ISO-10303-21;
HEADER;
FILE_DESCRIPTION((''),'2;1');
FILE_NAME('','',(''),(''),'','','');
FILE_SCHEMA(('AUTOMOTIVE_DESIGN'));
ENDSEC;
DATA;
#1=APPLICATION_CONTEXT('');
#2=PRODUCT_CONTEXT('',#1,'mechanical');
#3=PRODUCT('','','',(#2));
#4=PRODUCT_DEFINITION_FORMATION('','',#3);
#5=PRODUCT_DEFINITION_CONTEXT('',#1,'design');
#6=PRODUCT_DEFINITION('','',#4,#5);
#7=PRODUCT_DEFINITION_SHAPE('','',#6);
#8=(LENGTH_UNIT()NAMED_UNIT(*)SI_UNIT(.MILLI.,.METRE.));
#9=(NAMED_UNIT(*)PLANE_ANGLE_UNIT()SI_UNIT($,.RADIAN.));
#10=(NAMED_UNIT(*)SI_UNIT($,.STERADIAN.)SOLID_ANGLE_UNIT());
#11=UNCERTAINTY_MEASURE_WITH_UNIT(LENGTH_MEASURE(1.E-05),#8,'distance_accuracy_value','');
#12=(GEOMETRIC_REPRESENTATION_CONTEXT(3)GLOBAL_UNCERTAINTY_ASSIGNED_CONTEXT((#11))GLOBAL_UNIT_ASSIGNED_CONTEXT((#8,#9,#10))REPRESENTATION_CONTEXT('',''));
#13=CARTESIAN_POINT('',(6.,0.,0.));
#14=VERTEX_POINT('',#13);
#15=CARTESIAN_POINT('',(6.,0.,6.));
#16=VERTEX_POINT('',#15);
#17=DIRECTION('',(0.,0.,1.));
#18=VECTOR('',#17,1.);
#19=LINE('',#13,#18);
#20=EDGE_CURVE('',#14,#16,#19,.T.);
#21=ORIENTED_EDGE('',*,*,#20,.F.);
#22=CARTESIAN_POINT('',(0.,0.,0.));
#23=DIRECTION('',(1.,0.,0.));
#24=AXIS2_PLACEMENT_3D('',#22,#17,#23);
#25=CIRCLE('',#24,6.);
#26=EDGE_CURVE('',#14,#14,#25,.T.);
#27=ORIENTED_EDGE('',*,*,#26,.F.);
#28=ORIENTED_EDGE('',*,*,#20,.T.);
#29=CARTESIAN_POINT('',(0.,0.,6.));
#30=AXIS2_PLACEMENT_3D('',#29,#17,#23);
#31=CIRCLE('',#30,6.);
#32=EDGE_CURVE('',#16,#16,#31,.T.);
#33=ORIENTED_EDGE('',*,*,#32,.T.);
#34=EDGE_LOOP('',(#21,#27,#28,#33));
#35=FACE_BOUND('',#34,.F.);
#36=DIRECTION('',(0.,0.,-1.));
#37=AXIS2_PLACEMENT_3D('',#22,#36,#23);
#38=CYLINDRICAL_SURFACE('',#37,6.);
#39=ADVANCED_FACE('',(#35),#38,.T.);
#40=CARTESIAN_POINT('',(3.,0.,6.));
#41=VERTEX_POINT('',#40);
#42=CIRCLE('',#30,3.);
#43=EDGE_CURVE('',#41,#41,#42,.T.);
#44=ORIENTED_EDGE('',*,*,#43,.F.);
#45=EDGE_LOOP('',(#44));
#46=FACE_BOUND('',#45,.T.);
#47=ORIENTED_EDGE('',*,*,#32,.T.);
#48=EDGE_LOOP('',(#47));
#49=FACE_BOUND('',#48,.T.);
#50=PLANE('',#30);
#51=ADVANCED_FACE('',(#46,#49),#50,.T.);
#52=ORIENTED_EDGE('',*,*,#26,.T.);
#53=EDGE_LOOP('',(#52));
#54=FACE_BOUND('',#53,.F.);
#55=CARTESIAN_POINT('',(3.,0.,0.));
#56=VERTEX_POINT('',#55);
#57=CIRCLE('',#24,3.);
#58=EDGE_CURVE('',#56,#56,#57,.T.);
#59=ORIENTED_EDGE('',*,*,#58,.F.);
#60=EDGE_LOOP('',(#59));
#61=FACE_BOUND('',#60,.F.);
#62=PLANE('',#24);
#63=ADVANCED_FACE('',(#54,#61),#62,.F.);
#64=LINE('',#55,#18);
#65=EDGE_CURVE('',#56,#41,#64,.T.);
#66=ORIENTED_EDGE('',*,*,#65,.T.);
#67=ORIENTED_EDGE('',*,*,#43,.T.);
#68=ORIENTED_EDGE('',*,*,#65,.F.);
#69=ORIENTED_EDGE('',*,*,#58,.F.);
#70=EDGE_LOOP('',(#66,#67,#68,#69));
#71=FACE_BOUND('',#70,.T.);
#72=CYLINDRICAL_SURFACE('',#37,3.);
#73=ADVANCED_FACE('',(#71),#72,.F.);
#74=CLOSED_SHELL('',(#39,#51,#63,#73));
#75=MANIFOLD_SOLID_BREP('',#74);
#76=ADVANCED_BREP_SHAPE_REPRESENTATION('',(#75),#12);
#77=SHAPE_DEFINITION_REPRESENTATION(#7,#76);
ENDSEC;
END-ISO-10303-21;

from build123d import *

# Parameters (mm, degrees)
SKETCH_R   = 6
SKETCH_R_2 = 3
PAD_DEPTH  = 6


with BuildPart() as part:
    # Sketch → Pad (new body)
    with BuildSketch(Plane.XY):
        Circle(SKETCH_R)
        Circle(SKETCH_R_2, mode=Mode.SUBTRACT)
    extrude(amount=PAD_DEPTH)


solid = part.part
